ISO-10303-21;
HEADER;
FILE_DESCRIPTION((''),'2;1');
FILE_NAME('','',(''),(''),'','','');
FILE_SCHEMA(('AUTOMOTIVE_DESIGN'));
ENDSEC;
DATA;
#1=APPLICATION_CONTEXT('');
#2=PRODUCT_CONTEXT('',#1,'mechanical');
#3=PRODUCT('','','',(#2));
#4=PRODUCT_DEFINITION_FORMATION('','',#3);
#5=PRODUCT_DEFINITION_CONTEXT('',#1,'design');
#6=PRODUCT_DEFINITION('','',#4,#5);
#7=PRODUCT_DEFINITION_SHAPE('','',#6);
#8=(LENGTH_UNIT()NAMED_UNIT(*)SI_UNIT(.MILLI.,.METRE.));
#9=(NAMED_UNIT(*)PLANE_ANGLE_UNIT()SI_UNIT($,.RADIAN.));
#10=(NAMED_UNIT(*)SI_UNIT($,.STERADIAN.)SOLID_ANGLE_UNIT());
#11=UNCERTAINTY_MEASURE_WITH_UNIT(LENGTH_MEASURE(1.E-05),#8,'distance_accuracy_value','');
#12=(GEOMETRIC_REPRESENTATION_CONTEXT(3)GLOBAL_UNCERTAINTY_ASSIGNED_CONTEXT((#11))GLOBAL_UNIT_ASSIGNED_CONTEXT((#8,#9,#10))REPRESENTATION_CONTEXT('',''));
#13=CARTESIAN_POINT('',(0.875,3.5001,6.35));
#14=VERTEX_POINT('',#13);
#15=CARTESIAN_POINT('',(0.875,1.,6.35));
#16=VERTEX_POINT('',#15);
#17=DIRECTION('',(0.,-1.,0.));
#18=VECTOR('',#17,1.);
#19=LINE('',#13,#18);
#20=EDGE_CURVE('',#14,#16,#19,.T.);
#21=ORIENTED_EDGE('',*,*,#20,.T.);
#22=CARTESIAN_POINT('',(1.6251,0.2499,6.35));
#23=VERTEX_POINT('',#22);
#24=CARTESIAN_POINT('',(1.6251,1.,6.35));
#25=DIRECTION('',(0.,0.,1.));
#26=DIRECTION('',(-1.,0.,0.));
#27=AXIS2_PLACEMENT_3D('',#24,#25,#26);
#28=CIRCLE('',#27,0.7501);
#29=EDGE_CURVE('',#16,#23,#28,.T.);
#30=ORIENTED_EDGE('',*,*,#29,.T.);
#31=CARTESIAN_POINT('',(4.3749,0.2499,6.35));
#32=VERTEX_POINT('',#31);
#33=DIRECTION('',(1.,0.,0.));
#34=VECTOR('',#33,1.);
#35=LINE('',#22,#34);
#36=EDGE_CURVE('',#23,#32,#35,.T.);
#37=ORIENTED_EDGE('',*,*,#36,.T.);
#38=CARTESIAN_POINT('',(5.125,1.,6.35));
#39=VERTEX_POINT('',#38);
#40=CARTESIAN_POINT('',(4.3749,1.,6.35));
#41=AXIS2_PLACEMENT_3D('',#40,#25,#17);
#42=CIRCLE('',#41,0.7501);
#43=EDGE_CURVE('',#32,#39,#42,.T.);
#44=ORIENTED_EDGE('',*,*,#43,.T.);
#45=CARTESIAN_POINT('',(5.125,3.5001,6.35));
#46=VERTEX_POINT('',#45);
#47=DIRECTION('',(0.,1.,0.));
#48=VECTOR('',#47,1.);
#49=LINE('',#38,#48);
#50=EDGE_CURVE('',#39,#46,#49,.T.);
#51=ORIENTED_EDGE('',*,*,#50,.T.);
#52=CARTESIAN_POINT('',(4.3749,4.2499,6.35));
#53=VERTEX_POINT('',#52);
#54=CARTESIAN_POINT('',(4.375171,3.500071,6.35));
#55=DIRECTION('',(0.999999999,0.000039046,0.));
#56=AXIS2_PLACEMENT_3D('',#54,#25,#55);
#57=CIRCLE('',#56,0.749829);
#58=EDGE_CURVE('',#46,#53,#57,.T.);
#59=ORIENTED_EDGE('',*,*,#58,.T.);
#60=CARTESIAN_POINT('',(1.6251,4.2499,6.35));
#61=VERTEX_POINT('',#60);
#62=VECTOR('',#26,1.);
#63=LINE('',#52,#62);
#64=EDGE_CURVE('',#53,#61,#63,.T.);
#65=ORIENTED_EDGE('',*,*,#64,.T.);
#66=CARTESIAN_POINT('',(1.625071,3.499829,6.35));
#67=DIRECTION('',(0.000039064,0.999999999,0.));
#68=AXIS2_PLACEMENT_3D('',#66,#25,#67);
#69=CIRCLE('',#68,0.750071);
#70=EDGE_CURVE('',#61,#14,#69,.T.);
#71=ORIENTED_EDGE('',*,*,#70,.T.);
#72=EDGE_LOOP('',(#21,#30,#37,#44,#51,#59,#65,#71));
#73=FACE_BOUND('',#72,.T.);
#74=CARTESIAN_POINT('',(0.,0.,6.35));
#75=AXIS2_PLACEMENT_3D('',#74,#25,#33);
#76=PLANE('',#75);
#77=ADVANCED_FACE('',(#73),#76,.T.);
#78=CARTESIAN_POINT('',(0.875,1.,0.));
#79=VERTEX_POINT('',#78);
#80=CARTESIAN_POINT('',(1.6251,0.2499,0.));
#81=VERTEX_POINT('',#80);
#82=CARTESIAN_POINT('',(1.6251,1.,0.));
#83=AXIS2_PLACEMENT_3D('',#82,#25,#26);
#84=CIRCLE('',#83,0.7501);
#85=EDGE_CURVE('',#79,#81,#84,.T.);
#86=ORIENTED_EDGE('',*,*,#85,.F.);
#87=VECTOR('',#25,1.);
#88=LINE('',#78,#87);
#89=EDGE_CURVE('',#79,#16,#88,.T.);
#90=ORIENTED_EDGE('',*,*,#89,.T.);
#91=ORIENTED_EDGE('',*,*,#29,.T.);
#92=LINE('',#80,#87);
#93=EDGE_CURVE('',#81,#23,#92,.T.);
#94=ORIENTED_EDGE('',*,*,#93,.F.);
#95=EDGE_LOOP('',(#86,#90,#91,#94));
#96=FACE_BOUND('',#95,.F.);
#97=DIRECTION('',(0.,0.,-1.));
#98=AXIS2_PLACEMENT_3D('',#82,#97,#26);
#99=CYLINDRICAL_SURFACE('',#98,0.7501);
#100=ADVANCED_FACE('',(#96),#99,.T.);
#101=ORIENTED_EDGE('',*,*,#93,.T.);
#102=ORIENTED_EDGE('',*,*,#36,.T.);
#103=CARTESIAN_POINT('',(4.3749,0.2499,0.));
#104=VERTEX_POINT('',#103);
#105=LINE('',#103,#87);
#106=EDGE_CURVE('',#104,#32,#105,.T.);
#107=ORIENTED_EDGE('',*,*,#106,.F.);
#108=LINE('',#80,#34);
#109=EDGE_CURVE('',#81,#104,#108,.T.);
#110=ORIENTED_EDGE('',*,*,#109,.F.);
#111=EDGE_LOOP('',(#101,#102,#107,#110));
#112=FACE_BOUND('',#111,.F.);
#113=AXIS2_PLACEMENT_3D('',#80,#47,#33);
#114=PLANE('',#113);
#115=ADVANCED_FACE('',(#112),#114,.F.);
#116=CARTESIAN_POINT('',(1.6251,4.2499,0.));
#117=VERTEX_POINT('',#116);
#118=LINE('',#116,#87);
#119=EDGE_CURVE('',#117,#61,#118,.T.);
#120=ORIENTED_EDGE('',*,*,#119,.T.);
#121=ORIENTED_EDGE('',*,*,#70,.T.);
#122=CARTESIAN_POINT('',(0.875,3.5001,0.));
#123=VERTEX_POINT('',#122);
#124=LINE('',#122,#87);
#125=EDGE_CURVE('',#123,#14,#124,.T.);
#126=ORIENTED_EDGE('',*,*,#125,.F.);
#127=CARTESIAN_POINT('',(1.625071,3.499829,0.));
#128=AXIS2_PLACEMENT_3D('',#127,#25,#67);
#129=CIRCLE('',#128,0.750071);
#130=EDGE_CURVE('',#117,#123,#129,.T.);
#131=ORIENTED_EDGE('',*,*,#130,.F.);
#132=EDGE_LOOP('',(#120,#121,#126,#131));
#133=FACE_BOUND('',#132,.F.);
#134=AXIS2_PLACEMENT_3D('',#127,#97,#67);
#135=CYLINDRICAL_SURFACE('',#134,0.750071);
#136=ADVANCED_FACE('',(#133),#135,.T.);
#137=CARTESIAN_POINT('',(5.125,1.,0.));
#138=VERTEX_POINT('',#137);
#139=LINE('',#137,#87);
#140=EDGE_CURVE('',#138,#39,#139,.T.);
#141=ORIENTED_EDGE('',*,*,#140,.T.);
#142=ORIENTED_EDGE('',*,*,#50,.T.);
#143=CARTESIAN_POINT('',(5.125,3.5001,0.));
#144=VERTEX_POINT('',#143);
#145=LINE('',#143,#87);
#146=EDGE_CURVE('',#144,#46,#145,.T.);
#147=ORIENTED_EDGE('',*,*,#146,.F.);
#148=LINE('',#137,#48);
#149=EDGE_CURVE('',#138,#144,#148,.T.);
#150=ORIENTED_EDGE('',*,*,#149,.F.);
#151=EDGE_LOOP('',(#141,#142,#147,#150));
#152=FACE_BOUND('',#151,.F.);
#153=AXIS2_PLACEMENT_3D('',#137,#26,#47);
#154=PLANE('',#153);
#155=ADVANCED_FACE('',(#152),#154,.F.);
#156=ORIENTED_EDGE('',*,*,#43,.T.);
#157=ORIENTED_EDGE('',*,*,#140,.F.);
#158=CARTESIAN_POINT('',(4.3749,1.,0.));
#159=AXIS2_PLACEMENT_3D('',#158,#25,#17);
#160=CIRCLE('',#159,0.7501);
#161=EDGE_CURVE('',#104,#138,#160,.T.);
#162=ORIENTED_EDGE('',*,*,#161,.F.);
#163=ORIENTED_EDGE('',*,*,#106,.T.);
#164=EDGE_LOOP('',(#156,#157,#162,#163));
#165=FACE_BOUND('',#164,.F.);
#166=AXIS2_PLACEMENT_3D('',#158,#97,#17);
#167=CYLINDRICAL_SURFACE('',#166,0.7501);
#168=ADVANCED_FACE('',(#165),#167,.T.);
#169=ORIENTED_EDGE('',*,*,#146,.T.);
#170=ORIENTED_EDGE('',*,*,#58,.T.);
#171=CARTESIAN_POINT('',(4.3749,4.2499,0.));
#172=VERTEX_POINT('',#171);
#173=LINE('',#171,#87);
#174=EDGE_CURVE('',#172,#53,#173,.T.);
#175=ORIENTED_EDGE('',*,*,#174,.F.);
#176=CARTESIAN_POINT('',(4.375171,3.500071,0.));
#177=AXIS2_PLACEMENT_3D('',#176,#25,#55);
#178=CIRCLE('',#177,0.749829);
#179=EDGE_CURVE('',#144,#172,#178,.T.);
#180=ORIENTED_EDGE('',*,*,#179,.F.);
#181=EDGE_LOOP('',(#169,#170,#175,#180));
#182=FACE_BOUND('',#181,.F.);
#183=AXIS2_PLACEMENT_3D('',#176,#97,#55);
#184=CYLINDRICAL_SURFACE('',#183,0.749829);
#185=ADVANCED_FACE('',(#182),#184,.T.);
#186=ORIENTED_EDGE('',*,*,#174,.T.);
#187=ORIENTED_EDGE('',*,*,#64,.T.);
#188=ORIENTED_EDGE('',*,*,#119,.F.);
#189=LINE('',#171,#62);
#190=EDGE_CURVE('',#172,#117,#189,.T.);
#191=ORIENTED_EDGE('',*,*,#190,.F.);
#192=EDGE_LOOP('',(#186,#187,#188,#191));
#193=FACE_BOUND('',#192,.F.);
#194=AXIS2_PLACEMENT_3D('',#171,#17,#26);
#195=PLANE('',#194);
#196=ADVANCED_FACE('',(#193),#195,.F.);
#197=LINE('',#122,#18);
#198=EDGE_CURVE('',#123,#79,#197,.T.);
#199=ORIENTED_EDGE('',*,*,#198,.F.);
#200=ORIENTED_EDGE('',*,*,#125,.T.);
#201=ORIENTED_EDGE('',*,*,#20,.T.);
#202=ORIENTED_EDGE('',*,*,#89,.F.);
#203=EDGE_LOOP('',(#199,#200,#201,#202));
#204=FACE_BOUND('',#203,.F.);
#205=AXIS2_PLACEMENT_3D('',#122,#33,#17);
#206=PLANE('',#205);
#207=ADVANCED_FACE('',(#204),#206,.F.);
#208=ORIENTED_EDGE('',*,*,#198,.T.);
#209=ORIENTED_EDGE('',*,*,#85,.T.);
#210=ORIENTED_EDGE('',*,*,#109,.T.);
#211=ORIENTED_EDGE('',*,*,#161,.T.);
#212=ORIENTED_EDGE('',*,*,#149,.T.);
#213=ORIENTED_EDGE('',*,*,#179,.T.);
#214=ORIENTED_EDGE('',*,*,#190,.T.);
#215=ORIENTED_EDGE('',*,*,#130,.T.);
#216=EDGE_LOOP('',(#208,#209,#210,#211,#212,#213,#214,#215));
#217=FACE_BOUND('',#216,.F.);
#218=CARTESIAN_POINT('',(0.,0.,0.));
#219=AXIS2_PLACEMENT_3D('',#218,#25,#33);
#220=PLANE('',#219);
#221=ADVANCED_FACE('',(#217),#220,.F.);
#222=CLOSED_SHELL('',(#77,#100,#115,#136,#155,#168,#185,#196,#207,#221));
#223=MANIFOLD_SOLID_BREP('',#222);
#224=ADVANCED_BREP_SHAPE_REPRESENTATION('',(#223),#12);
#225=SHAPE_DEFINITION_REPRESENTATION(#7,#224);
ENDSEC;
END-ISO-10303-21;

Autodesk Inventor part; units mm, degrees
ref_plane "YZ Plane" through (0, 0, 0) normal (1, 0, 0) x (0, 1, 0)
ref_plane "XZ Plane" through (0, 0, 0) normal (0, 1, 0) x (-1, 0, 0)
ref_plane "XY Plane" through (0, 0, 0) normal (0, 0, 1) x (1, 0, 0)
sketch "FSM2JH, Pushbutton_60" plane through (0, 0, 0) normal (0, 0, 1) x (1, 0, 0)
  line L0 (1.6251, 0.2499) -> (4.3749, 0.2499)
  arc A0 (4.3749, 0.2499) -> (5.125, 1) centre (4.3749, 1) ccw
  line L1 (5.125, 1) -> (5.125, 3.5001)
  arc A1 (5.125, 3.5001) -> (4.3749, 4.2499) centre (4.375, 3.5) ccw
  line L2 (4.3749, 4.2499) -> (1.6251, 4.2499)
  arc A2 (1.6251, 4.2499) -> (0.875, 3.5001) centre (1.625, 3.5) ccw
  line L3 (0.875, 3.5001) -> (0.875, 1)
  arc A3 (0.875, 1) -> (1.6251, 0.2499) centre (1.6251, 1) ccw
extrude "Extrusion1" add sketch "FSM2JH, Pushbutton_60" along normal blind 6.35
properties part number "Pushbutton"
